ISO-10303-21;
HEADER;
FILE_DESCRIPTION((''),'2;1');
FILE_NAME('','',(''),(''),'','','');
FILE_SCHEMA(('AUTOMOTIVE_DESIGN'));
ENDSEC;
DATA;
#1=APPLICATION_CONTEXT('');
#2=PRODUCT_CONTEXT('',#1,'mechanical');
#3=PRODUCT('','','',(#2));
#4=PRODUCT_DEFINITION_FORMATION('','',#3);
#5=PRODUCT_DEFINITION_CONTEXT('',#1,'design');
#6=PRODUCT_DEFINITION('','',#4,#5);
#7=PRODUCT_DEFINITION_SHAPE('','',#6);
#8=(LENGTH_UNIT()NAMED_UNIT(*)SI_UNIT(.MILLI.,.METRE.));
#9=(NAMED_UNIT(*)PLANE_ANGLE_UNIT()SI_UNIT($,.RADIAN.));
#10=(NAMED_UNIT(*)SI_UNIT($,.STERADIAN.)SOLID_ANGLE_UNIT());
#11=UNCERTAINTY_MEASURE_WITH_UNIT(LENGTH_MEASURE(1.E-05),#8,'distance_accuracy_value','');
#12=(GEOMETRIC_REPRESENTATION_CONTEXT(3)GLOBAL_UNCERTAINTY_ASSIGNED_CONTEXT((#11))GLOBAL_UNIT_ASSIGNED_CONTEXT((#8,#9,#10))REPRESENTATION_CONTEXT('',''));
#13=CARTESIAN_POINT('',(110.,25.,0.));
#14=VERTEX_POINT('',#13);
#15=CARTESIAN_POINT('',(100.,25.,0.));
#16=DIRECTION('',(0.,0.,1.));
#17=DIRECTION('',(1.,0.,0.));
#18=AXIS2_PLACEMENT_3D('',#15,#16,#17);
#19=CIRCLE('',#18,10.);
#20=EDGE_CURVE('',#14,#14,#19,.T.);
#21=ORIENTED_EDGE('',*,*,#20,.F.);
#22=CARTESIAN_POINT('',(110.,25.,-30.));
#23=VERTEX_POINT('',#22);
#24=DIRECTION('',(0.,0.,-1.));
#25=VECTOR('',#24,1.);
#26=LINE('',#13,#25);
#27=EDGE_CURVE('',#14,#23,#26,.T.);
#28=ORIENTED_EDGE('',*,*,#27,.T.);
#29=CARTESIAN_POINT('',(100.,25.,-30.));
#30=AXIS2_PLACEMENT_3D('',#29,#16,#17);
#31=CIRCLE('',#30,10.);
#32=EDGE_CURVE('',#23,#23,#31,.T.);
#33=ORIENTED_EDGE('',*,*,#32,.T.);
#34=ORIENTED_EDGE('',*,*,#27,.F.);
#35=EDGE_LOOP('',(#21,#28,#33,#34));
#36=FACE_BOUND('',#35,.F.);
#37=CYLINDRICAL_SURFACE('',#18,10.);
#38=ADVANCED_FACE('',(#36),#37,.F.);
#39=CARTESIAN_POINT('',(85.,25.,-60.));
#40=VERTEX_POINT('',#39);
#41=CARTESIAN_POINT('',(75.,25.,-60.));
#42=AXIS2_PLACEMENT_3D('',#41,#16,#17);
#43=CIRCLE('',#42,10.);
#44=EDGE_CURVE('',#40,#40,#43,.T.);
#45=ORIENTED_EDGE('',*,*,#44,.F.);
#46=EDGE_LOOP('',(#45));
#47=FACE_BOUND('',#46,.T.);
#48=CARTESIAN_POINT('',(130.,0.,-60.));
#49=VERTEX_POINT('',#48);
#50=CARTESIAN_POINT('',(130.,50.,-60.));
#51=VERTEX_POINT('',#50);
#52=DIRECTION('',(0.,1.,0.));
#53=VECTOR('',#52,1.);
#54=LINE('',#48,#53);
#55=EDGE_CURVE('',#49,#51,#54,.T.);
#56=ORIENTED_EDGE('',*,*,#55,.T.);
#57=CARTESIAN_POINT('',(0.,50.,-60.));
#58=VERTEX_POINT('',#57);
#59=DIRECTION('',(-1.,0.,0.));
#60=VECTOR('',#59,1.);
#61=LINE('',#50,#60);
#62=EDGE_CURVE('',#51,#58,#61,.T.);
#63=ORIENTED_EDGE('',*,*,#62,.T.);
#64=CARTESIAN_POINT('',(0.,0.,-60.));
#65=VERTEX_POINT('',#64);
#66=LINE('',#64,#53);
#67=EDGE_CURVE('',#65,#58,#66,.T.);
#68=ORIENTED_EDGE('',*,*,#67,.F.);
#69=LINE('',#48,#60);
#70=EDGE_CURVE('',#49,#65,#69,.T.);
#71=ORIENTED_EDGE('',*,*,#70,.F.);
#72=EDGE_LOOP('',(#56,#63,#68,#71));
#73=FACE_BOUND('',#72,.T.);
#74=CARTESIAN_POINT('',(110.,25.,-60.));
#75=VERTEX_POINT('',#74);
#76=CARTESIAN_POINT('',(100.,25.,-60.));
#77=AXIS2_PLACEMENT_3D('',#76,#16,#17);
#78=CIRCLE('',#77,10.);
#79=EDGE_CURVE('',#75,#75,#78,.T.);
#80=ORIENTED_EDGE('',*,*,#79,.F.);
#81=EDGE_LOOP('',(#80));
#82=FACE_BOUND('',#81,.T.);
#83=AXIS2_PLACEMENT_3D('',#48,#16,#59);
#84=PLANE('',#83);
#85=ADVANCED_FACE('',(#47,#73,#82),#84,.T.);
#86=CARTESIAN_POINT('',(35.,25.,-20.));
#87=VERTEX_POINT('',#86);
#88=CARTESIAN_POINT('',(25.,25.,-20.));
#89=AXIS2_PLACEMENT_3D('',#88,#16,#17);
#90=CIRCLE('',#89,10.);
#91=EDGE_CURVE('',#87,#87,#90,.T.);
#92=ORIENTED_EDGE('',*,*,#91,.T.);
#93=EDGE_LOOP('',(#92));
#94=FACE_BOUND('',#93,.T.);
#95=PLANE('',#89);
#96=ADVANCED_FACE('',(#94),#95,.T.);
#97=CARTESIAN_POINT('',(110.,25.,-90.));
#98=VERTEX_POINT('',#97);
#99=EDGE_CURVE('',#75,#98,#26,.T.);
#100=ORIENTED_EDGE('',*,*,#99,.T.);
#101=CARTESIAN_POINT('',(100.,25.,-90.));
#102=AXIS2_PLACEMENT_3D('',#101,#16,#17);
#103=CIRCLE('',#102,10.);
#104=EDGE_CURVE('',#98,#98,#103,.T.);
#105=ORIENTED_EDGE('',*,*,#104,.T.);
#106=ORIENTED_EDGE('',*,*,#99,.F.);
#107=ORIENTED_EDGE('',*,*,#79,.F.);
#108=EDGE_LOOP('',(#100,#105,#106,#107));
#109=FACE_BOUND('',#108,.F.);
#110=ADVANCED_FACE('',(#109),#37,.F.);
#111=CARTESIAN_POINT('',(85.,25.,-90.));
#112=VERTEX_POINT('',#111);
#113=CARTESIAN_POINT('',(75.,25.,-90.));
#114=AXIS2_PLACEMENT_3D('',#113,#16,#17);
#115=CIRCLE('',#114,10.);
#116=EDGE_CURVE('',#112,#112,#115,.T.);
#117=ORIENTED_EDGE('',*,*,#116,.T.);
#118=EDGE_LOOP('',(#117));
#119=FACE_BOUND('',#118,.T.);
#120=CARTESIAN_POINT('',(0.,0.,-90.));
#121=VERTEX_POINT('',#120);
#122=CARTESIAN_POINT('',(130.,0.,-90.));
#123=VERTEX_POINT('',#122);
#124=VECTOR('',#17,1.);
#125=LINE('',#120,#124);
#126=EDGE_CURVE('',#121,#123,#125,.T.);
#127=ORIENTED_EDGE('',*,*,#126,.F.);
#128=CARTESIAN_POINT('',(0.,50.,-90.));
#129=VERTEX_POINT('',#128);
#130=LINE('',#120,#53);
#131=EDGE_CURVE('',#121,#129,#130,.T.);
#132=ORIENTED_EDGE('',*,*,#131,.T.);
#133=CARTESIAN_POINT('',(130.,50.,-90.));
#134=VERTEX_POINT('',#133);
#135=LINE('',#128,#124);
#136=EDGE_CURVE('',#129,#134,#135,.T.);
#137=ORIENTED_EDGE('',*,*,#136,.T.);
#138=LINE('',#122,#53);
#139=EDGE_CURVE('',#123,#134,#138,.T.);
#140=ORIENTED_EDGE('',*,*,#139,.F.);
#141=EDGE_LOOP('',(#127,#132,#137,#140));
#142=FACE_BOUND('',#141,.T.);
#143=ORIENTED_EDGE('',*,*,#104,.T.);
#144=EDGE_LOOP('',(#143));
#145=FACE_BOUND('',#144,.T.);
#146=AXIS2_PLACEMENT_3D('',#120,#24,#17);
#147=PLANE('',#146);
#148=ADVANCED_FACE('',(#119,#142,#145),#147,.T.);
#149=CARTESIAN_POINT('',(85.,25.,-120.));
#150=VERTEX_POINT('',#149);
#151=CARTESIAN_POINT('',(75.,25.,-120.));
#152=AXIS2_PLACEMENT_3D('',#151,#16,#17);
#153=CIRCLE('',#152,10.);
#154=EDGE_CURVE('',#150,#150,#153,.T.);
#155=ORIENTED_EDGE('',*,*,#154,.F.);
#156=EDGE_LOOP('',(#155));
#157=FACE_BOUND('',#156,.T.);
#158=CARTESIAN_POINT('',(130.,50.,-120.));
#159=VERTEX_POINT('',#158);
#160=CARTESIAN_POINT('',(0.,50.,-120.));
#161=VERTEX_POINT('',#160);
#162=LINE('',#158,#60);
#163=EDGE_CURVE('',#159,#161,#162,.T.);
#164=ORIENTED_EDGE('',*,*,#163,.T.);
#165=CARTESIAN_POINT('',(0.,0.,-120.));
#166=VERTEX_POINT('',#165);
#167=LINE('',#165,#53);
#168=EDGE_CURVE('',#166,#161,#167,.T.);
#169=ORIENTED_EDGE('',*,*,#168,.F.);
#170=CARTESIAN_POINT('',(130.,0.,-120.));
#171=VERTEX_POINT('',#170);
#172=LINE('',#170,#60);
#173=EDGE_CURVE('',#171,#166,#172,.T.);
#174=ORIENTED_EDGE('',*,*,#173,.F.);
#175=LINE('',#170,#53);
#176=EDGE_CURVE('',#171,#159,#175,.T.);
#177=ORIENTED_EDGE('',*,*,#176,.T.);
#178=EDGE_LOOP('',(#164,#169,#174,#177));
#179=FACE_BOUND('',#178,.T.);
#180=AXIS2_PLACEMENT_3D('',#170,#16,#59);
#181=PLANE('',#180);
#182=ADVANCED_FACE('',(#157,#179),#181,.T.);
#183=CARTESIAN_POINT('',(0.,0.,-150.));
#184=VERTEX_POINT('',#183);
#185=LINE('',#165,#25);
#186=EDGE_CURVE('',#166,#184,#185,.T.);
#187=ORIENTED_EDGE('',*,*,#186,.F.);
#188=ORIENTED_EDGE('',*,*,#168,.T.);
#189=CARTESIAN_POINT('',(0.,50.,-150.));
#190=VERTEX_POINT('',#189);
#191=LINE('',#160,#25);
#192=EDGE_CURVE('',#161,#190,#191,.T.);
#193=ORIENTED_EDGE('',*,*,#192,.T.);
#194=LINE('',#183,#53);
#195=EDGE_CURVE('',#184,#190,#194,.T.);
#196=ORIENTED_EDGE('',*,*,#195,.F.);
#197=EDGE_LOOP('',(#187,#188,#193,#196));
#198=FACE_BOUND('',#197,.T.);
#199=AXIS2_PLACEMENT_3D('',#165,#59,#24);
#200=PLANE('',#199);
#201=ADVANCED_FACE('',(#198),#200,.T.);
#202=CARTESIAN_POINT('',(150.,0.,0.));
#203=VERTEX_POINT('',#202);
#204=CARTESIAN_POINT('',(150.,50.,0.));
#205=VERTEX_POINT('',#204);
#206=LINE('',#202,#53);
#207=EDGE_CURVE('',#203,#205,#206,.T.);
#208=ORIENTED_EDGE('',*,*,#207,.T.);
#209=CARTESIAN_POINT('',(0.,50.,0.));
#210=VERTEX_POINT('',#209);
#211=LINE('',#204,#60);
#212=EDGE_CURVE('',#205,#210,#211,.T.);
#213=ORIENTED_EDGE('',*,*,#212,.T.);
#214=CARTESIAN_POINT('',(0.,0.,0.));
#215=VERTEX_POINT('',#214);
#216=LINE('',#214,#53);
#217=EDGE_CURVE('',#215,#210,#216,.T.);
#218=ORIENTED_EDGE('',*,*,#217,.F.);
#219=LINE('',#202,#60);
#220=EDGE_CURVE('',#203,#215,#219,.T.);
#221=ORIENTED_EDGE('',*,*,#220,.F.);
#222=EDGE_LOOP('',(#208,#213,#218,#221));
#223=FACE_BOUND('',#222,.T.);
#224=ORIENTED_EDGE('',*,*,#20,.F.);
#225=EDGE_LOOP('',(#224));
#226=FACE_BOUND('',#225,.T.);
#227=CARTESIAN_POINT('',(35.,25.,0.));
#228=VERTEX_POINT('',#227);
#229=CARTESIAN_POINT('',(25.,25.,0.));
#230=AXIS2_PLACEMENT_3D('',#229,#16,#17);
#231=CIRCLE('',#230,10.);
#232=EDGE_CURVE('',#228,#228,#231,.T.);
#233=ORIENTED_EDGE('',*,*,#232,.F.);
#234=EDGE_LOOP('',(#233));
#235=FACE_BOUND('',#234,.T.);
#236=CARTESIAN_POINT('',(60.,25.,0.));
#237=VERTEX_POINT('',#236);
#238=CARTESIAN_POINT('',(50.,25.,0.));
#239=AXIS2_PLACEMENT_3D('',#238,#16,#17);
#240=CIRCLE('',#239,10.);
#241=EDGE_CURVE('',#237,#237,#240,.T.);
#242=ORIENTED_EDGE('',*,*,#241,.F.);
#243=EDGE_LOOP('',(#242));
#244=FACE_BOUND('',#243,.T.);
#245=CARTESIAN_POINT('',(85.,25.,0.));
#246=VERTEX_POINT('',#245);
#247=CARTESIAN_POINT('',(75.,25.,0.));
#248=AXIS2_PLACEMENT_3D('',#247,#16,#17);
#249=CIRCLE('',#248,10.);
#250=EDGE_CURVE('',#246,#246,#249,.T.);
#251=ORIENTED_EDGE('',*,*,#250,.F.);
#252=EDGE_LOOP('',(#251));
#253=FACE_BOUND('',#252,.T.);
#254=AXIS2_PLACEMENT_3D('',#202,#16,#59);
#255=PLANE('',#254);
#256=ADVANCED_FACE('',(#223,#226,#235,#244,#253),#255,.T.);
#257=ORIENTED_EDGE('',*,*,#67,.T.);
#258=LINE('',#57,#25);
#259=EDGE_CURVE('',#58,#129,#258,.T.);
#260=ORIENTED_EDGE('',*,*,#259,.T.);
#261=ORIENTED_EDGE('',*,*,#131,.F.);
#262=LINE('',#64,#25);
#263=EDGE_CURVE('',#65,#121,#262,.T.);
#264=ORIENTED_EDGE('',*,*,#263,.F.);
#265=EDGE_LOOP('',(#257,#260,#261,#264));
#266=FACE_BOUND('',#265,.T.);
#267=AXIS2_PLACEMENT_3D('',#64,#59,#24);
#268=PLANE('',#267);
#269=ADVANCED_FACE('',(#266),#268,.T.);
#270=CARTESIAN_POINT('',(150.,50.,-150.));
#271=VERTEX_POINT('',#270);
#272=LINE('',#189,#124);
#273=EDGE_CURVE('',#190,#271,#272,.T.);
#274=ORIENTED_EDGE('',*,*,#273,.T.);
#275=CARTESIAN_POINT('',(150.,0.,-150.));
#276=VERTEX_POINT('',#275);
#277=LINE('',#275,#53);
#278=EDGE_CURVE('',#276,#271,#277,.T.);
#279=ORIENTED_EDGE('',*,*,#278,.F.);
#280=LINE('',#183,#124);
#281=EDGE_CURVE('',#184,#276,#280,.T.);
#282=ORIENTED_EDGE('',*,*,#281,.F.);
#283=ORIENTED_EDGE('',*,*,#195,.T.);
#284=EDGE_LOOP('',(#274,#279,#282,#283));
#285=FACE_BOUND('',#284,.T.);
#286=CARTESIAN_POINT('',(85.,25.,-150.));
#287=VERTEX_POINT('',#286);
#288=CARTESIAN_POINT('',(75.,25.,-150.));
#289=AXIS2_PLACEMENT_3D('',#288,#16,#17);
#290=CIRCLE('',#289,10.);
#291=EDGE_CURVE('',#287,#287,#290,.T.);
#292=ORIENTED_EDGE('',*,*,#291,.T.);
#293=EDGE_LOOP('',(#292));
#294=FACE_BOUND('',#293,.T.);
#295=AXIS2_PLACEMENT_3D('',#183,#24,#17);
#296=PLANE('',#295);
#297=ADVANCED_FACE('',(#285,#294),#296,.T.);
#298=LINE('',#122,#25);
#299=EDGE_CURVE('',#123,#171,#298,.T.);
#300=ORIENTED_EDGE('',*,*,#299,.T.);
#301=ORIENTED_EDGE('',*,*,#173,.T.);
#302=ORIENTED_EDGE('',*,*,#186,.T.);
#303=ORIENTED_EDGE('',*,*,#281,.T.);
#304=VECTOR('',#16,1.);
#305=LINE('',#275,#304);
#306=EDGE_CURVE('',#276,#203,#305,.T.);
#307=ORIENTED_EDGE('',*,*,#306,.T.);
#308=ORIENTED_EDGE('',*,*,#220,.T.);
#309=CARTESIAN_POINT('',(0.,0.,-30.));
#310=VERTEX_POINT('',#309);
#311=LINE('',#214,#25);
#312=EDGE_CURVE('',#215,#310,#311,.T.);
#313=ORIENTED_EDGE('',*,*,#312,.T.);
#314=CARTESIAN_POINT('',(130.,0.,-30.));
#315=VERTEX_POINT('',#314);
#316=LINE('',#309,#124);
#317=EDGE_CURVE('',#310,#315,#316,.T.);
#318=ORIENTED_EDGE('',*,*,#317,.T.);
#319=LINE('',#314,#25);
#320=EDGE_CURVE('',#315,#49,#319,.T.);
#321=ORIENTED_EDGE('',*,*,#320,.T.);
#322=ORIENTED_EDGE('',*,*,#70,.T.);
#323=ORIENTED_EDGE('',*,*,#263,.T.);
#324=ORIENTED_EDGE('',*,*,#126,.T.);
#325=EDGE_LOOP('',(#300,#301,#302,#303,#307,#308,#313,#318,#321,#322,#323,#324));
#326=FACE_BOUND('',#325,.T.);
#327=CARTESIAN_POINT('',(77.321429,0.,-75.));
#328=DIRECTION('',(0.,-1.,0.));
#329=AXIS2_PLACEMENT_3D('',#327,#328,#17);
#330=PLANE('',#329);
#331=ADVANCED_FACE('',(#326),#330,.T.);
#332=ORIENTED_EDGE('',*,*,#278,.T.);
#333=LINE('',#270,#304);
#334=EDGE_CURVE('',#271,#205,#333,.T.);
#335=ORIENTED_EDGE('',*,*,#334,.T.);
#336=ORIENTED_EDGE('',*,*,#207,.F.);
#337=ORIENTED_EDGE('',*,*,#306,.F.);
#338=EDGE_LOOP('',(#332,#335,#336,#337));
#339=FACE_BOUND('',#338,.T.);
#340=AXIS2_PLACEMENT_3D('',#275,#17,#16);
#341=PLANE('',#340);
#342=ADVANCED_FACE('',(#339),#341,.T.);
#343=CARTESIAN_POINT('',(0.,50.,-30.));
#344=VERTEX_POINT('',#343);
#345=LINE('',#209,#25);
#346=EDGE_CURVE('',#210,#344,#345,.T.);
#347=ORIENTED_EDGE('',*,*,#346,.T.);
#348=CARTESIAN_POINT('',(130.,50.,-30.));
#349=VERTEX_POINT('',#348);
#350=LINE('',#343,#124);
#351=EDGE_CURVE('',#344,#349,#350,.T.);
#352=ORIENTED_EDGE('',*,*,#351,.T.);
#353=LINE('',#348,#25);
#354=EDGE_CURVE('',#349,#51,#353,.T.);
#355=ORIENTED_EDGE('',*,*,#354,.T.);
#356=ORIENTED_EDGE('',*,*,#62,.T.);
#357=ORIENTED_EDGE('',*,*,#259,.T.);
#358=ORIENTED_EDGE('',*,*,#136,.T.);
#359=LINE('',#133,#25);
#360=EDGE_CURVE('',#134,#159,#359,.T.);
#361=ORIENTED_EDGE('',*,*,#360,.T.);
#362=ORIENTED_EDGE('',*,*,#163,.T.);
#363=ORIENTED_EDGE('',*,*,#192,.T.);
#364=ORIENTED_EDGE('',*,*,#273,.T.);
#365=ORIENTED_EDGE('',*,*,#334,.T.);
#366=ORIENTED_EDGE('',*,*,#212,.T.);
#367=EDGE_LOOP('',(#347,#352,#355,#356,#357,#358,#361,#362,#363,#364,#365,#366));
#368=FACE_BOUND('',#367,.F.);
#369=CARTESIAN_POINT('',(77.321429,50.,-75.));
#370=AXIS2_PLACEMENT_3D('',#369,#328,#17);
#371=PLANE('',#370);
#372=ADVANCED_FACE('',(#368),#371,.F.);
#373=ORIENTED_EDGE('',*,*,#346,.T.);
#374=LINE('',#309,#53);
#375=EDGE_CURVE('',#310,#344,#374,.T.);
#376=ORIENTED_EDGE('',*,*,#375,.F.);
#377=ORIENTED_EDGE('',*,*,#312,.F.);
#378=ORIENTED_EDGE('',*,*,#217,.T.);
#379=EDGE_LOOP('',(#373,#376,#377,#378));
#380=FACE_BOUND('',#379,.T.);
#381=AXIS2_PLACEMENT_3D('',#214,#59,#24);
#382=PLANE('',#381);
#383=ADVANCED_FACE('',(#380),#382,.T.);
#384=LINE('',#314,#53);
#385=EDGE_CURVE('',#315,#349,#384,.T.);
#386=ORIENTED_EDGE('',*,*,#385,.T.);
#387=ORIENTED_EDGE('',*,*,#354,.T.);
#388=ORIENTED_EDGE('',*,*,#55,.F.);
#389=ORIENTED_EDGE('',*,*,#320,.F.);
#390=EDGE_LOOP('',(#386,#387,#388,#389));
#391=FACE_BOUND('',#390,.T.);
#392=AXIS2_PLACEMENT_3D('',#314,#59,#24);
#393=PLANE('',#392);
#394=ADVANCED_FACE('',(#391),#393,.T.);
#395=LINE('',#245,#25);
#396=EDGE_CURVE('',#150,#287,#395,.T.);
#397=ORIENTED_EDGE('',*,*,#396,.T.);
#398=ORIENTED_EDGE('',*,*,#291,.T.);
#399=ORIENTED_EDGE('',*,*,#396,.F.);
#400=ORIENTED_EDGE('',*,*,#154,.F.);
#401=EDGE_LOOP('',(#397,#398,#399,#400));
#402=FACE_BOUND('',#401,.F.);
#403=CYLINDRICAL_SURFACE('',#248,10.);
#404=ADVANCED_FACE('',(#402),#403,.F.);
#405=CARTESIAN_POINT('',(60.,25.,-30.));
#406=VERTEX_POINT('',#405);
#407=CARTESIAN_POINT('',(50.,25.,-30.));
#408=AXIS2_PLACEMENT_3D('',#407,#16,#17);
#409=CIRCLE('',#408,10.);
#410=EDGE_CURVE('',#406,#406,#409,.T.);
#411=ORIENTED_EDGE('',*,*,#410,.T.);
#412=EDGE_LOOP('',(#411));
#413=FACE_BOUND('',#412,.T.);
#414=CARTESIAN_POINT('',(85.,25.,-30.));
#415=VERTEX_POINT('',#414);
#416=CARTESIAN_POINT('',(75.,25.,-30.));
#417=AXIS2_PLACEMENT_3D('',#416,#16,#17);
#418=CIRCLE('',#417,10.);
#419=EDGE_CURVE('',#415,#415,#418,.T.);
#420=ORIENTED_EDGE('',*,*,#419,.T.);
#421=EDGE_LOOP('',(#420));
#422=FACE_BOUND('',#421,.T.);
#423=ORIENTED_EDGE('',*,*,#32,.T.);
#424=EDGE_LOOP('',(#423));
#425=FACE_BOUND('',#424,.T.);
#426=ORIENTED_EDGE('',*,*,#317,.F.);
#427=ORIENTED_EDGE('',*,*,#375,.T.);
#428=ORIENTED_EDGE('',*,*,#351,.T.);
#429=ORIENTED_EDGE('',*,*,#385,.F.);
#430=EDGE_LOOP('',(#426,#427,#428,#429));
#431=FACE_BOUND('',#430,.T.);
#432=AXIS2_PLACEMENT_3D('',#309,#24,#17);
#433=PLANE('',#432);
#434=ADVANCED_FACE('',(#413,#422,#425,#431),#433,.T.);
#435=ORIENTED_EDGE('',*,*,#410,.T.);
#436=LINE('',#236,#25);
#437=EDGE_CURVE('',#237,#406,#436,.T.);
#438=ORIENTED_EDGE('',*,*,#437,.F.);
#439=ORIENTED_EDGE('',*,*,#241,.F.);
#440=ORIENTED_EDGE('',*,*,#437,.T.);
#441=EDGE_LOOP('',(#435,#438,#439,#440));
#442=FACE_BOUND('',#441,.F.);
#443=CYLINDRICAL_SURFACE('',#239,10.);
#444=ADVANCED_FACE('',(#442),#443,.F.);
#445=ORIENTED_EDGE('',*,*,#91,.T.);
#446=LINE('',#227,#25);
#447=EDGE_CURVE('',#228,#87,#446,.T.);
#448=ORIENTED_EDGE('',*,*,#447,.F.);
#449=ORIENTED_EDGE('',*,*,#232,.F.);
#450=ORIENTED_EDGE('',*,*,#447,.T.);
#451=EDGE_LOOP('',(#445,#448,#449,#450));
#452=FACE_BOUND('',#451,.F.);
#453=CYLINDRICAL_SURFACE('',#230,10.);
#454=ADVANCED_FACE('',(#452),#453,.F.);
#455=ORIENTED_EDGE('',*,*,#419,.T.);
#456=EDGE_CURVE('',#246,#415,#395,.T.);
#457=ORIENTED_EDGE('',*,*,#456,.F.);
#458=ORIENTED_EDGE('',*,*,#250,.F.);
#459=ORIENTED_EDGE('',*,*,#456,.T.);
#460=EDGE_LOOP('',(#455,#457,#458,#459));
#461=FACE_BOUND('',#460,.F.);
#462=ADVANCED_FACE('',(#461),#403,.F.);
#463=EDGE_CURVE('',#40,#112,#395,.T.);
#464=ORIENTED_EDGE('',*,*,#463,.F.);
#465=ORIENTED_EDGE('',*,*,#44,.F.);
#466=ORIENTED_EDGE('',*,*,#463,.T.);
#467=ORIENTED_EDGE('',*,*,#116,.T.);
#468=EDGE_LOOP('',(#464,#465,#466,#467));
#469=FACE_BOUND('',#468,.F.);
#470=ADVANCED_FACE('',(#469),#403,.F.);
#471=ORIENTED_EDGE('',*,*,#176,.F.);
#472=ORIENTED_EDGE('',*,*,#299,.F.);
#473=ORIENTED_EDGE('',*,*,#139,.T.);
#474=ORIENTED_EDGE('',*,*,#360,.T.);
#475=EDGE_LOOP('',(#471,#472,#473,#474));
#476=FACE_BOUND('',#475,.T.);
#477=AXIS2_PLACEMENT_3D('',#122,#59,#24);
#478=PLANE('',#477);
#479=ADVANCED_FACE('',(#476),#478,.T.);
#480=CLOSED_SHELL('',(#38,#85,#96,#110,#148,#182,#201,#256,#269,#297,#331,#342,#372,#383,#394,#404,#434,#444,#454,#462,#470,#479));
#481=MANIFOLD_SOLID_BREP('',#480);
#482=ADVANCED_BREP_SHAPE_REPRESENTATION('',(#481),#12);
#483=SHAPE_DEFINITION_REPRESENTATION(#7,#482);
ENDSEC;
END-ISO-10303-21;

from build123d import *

# Parameters (mm, degrees)
F1_DEPTH = 50
F4_R     = 10
F5_DEPTH = 20
F6_DEPTH = 30
F7_DEPTH = 150.001
F8_DEPTH = 90


with BuildPart() as f1:
    # F0 (on Front) → F1 (new body)
    with BuildSketch(Plane.XZ):
        Polygon((150, 0), (0, 0), (0, -30), (130, -30), (130, -60), (0, -60), (0, -90), (130, -90), (130, -120), (0, -120), (0, -150), (150, -150), align=None)
    extrude(amount=-F1_DEPTH)

    # F4 (on Top) → F5 (cut)
    with BuildSketch(Plane.XY):
        with Locations((25, 25)):
            Circle(F4_R)
    extrude(amount=-F5_DEPTH, mode=Mode.SUBTRACT)

    # F4 (on Top) → F6 (cut, through all)
    with BuildSketch(Plane.XY):
        with Locations((50, 25)):
            Circle(F4_R)
    extrude(amount=-F6_DEPTH, mode=Mode.SUBTRACT)

    # F4 (on Top) → F7 (cut, through all)
    with BuildSketch(Plane.XY):
        with Locations((75, 25)):
            Circle(F4_R)
    extrude(amount=-F7_DEPTH, mode=Mode.SUBTRACT)

    # F4 (on Top) → F8 (cut, through all)
    with BuildSketch(Plane.XY):
        with Locations((100, 25)):
            Circle(F4_R)
    extrude(amount=-F8_DEPTH, mode=Mode.SUBTRACT)


solid = f1.part
